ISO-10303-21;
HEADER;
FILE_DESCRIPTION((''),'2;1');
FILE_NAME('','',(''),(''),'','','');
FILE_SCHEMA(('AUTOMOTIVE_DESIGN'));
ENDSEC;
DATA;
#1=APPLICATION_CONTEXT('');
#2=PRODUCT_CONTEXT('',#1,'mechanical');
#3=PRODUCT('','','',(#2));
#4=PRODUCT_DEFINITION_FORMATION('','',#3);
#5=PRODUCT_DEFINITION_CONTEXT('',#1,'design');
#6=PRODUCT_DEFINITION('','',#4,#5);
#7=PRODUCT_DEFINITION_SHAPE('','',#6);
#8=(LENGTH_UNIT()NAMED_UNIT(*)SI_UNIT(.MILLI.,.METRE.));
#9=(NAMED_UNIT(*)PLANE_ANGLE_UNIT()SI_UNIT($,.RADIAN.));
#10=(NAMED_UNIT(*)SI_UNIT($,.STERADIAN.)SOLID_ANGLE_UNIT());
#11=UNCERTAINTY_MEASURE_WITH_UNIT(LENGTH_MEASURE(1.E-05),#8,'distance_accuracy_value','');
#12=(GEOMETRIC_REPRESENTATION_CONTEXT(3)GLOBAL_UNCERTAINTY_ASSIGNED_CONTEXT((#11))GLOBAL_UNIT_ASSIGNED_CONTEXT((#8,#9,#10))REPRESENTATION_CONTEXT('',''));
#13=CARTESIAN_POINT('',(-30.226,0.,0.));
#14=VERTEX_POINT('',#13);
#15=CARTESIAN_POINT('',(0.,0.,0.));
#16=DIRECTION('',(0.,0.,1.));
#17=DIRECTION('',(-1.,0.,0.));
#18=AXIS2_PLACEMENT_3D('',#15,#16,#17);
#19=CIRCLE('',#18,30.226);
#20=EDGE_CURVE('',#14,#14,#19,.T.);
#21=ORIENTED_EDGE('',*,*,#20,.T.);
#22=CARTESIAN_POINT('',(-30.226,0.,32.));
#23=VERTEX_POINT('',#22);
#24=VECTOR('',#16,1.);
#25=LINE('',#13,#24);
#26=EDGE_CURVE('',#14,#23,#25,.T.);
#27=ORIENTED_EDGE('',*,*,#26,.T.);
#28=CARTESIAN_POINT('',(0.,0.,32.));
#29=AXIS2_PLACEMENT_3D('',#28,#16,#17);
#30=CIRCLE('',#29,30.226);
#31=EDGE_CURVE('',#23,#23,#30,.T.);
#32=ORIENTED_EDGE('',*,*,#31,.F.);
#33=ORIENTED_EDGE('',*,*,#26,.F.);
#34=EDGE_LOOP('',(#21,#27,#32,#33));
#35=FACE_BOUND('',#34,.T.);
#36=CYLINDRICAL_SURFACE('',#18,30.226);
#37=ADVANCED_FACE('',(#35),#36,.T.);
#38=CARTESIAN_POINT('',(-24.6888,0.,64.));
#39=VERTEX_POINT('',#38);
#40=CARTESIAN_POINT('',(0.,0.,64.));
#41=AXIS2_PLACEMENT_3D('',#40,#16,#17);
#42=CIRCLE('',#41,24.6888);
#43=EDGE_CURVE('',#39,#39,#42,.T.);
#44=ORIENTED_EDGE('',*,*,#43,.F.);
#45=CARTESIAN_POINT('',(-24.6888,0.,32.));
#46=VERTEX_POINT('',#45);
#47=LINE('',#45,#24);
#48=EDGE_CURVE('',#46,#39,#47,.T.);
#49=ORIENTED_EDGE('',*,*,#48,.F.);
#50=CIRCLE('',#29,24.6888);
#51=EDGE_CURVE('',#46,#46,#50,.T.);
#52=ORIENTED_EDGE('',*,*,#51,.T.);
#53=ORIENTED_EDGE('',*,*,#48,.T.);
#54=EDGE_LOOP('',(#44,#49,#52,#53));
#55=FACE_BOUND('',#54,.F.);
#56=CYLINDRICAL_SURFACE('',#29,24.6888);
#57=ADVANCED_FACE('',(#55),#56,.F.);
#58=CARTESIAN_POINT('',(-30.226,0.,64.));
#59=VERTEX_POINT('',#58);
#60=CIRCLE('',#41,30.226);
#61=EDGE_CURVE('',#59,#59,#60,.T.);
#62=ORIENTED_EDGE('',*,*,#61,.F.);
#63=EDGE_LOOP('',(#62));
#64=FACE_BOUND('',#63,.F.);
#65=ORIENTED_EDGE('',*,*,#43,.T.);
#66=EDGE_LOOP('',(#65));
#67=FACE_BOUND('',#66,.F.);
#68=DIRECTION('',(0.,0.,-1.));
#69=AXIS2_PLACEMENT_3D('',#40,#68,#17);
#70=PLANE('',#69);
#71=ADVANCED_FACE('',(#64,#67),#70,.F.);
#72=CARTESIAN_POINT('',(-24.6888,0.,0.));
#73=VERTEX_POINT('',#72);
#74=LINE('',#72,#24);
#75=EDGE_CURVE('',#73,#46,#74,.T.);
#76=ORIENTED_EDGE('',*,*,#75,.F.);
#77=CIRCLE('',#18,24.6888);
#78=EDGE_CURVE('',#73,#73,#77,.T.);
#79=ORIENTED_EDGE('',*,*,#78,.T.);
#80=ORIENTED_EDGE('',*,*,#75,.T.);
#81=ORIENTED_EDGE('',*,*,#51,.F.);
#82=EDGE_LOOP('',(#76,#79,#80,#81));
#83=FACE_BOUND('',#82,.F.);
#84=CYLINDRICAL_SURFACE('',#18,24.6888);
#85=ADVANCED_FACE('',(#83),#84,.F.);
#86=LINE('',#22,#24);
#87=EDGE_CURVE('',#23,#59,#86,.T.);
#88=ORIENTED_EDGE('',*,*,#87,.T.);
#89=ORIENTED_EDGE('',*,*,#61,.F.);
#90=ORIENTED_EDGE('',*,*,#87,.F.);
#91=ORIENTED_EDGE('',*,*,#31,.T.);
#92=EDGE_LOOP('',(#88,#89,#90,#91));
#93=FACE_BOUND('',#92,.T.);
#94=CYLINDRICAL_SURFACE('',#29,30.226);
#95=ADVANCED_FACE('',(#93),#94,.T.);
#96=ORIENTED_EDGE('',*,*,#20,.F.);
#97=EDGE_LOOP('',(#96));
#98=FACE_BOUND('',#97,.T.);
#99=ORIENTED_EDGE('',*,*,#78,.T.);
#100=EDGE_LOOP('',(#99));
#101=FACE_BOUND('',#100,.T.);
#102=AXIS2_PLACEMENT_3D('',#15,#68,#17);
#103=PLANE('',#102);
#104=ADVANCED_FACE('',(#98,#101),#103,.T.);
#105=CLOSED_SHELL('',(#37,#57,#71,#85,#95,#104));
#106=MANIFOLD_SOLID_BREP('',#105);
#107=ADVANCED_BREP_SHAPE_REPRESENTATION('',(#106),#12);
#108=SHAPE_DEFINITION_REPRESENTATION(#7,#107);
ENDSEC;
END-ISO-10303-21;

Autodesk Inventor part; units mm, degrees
ref_plane "Plano inicial" through (0, 0, 0) normal (0, 0, 1) x (1, 0, 0)
ref_plane "Plano final" through (0, 0, 64) normal (0, 0, 1) x (1, 0, 0)
sketch "Boceto" plane through (0, 0, 0) normal (0, 0, -1) x (-1, 0, 0)
  circle A0 centre (0, 0) radius 24.6888
  circle A1 centre (0, 0) radius 30.226
  dimension "d0" = 60.452
  dimension "d1" = 5.5372
sketch "Sketch3" plane through (0, 0, 0) normal (0, 0, 1) x (1, 0, 0)
  line L0 (0, 0) -> (10, 0)
ref_plane "Work Plane3" through (0, 0, 0) normal (0, -1, 0) x (1, 0, 0)
sketch "Sketch4" plane through (0, 0, 0) normal (0, -1, 0) x (1, 0, 0)
  line L0 (-2, 0) -> (12, 0)
  line L1 (-2, 64) -> (12, 64)
  dimension "d7" = 64
ref_plane "Plano de trabajo de orientación" through (0, 0, 0) normal (0, 0, -1) x (-1, 0, 0)
sketch3d "Trayectoria de barrido"
  line L0 (0, 0, 0) -> (0, 0, 32)
  line L1 (0, 0, 32) -> (0, 0, 64)
sweep "Cuerpo" add profiles "Boceto" path "Trayectoria de barrido"
equation "\"d0\" = G_H"
equation "\"d1\" = G_T"
equation "\"G_H\" = 60.452"
equation "\"G_T\" = 5.5372"
equation "\"G_L\" = d7"
equation "\"G_OFFSET_START\" = 0"
equation "\"G_OFFSET_END\" = 0"
equation "\"d5\" = G_OFFSET_END + B_L"
equation "\"B_L\" = 64"
properties part number "ANSI  1619277646402" material "Acero, suave"
